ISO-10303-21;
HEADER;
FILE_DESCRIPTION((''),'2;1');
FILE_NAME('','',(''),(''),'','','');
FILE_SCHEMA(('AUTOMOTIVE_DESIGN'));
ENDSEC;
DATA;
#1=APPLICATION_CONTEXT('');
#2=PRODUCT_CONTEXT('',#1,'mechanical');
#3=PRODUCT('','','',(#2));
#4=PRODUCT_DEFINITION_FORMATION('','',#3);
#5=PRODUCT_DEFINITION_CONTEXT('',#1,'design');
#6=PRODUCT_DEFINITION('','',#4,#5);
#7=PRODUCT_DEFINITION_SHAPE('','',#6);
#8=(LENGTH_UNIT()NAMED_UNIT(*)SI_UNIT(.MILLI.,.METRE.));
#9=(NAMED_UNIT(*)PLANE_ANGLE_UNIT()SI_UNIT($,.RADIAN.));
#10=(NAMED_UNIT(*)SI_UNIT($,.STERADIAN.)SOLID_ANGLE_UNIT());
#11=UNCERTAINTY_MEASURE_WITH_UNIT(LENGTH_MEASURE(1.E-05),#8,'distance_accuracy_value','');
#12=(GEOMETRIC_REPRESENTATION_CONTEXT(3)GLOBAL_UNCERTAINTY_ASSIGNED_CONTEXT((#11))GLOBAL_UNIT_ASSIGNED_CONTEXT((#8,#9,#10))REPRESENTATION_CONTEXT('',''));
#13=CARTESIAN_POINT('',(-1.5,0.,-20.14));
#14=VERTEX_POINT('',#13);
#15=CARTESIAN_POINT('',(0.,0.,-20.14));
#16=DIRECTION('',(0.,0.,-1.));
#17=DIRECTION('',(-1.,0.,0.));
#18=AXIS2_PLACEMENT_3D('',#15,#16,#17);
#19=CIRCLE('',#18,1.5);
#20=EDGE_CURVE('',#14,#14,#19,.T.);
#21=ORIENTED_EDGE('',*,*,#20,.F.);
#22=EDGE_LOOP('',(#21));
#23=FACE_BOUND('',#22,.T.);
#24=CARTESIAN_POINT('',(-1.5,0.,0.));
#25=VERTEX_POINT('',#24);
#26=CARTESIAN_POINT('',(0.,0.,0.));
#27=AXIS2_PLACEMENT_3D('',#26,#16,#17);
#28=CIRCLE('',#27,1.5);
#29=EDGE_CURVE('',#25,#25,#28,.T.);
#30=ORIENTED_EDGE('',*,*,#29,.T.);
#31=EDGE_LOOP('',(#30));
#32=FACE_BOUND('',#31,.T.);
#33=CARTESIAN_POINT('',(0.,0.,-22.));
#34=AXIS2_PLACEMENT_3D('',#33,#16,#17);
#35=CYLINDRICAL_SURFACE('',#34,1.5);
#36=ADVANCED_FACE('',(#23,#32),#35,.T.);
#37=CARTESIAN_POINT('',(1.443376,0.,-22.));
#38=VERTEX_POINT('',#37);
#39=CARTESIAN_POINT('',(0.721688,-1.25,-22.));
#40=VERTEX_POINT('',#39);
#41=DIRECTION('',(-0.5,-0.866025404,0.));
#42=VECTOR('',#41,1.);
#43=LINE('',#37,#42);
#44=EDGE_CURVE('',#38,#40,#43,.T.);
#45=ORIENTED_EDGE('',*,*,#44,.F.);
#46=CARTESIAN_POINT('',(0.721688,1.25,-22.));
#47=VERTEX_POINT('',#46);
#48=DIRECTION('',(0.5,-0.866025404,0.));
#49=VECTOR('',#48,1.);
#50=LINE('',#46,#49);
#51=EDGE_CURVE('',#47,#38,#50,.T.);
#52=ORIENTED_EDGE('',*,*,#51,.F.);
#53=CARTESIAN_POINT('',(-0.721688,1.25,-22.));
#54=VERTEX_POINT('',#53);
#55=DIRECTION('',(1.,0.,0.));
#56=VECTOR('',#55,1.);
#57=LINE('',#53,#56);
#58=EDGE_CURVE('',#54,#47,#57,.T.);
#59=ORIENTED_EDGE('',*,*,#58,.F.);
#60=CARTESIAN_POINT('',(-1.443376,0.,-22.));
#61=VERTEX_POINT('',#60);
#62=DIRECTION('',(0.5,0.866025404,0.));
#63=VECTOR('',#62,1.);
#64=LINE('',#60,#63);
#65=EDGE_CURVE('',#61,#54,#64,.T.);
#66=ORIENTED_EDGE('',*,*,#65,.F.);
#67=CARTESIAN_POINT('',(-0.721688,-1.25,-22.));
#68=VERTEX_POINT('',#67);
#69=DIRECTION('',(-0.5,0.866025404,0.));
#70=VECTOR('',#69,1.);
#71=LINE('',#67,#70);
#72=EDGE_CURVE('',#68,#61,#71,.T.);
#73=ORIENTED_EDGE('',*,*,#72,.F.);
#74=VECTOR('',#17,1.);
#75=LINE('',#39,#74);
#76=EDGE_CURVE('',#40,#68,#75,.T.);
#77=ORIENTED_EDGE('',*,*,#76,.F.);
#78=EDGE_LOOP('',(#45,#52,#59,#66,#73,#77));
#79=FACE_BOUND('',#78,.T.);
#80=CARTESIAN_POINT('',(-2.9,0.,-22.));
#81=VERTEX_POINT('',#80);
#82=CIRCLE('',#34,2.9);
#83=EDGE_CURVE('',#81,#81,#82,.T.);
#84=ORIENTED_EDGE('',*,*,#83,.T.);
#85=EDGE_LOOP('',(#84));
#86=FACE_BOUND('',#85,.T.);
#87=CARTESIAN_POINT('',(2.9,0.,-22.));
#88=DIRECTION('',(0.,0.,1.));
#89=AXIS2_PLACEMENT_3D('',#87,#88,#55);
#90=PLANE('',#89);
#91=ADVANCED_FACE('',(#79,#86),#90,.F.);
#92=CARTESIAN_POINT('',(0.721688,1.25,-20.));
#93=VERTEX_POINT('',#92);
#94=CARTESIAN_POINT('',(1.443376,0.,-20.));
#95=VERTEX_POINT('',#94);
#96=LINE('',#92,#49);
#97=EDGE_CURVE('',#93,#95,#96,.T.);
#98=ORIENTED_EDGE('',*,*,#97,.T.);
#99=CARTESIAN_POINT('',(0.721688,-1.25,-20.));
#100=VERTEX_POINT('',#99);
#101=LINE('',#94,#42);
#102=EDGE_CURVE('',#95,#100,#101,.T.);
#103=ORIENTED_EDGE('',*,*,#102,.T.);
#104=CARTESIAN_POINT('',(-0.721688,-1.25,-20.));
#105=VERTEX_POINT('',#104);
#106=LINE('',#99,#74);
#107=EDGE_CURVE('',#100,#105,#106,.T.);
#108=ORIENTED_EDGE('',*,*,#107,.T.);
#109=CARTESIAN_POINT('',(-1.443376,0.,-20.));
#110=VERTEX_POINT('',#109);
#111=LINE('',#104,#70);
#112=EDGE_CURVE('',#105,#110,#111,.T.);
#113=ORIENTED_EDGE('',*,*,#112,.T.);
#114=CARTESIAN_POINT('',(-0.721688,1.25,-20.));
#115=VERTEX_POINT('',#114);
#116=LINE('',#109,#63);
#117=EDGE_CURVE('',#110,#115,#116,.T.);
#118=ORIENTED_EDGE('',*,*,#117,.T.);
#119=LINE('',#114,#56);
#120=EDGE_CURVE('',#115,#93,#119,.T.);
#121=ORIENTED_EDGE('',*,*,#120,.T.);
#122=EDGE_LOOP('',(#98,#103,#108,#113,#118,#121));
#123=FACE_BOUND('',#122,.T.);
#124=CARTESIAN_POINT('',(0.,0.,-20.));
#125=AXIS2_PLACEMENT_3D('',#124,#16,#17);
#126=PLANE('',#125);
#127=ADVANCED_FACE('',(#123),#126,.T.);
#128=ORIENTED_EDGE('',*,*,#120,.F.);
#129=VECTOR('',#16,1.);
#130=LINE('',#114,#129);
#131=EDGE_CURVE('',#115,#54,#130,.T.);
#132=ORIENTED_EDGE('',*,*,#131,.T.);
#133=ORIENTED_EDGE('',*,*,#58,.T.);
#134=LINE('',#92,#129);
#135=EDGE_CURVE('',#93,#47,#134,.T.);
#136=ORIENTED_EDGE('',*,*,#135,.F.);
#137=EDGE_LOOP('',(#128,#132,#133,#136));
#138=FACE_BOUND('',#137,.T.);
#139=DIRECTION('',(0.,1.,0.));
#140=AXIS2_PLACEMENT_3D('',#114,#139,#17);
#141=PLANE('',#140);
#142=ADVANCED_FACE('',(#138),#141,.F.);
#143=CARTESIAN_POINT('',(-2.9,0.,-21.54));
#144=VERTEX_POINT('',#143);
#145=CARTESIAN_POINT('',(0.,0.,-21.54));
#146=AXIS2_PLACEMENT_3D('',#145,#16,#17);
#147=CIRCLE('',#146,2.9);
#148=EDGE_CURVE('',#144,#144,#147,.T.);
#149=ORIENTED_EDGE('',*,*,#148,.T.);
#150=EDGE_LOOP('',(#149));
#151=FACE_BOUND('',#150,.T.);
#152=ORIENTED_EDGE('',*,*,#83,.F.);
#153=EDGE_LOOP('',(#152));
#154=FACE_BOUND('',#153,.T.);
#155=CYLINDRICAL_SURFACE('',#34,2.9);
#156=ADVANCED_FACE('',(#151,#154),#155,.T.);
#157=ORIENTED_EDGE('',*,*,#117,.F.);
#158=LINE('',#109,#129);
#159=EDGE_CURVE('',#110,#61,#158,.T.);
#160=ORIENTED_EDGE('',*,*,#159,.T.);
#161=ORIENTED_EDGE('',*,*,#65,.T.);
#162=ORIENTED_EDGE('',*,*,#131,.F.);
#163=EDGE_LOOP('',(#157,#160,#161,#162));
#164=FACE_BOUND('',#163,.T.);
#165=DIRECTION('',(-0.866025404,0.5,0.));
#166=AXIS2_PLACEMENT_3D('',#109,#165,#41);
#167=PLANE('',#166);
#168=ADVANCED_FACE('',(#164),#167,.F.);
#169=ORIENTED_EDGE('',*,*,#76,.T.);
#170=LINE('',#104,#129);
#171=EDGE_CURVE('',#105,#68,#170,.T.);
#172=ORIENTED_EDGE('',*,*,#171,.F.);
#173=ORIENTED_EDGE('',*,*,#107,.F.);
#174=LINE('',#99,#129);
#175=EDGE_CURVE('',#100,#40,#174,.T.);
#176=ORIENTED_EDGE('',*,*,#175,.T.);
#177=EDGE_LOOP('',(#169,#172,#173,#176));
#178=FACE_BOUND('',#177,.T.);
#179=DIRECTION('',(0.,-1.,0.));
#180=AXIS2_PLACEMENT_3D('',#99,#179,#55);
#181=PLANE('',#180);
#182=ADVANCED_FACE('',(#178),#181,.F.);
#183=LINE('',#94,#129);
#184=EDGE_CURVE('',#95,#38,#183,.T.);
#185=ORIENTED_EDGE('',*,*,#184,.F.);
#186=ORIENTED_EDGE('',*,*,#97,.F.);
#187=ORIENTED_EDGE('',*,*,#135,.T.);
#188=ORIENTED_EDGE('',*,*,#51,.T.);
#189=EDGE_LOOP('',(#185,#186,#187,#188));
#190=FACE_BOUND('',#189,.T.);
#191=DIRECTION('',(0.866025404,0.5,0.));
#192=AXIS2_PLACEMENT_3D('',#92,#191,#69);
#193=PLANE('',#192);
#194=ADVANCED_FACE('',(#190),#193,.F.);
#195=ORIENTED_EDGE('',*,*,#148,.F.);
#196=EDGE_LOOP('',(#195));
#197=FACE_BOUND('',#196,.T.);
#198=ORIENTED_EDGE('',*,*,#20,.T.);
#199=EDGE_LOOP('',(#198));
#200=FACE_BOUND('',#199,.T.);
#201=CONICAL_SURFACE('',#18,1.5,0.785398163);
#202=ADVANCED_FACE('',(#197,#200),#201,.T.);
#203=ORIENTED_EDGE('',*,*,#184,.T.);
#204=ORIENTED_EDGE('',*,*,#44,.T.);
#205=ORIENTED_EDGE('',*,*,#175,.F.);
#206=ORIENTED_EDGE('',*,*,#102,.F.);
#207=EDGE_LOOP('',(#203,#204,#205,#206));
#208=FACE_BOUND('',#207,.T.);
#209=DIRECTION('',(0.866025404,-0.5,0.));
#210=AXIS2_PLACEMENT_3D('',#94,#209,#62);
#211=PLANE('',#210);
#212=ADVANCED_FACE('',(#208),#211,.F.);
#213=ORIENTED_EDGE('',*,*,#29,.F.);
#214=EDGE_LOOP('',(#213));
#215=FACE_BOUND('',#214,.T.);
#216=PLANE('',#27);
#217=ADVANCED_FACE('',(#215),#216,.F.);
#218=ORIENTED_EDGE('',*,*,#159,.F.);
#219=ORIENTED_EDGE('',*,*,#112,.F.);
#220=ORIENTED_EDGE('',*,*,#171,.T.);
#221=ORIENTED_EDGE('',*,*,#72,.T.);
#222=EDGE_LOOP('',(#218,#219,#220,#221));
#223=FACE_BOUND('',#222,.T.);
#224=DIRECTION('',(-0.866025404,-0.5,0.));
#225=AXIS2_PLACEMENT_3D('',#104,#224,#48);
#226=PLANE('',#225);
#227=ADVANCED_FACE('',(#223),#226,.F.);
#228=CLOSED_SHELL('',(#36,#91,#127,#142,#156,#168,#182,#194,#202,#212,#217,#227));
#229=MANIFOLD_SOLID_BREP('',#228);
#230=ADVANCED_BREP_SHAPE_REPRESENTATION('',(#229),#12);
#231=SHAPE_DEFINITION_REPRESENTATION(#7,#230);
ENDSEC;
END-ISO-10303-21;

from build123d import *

# Parameters (mm, degrees)
CUT_EXTRUDE1_DEPTH = 2


with BuildPart() as part:
    # Sketch1 → Revolve1 (revolve)
    with BuildSketch(Plane(origin=(0, 0, 0), x_dir=(1, 0, 0), z_dir=(0, 1, 0)), mode=Mode.PRIVATE) as revolve1_sk:
        Polygon((0, 0), (1.5, 0), (1.5, 20.14), (2.9, 21.54), (2.9, 22), (0, 22), align=None)
    revolve(revolve1_sk.sketch.rotate(Axis((0, 0, -22), (0, 0, 1)), 180), axis=Axis((0, 0, -22), (0, 0, 1)))

    # Sketch2 → Cut-Extrude1 (cut)
    with BuildSketch(Plane(origin=(0, 0, -22), x_dir=(-1, 0, 0), z_dir=(0, 0, -1))):
        Polygon((-0.721687836, -1.25), (0.721687836, -1.25), (1.443375673, 0), (0.721687836, 1.25), (-0.721687836, 1.25), (-1.443375673, 0), align=None)
    extrude(amount=-CUT_EXTRUDE1_DEPTH, mode=Mode.SUBTRACT)


solid = part.part
